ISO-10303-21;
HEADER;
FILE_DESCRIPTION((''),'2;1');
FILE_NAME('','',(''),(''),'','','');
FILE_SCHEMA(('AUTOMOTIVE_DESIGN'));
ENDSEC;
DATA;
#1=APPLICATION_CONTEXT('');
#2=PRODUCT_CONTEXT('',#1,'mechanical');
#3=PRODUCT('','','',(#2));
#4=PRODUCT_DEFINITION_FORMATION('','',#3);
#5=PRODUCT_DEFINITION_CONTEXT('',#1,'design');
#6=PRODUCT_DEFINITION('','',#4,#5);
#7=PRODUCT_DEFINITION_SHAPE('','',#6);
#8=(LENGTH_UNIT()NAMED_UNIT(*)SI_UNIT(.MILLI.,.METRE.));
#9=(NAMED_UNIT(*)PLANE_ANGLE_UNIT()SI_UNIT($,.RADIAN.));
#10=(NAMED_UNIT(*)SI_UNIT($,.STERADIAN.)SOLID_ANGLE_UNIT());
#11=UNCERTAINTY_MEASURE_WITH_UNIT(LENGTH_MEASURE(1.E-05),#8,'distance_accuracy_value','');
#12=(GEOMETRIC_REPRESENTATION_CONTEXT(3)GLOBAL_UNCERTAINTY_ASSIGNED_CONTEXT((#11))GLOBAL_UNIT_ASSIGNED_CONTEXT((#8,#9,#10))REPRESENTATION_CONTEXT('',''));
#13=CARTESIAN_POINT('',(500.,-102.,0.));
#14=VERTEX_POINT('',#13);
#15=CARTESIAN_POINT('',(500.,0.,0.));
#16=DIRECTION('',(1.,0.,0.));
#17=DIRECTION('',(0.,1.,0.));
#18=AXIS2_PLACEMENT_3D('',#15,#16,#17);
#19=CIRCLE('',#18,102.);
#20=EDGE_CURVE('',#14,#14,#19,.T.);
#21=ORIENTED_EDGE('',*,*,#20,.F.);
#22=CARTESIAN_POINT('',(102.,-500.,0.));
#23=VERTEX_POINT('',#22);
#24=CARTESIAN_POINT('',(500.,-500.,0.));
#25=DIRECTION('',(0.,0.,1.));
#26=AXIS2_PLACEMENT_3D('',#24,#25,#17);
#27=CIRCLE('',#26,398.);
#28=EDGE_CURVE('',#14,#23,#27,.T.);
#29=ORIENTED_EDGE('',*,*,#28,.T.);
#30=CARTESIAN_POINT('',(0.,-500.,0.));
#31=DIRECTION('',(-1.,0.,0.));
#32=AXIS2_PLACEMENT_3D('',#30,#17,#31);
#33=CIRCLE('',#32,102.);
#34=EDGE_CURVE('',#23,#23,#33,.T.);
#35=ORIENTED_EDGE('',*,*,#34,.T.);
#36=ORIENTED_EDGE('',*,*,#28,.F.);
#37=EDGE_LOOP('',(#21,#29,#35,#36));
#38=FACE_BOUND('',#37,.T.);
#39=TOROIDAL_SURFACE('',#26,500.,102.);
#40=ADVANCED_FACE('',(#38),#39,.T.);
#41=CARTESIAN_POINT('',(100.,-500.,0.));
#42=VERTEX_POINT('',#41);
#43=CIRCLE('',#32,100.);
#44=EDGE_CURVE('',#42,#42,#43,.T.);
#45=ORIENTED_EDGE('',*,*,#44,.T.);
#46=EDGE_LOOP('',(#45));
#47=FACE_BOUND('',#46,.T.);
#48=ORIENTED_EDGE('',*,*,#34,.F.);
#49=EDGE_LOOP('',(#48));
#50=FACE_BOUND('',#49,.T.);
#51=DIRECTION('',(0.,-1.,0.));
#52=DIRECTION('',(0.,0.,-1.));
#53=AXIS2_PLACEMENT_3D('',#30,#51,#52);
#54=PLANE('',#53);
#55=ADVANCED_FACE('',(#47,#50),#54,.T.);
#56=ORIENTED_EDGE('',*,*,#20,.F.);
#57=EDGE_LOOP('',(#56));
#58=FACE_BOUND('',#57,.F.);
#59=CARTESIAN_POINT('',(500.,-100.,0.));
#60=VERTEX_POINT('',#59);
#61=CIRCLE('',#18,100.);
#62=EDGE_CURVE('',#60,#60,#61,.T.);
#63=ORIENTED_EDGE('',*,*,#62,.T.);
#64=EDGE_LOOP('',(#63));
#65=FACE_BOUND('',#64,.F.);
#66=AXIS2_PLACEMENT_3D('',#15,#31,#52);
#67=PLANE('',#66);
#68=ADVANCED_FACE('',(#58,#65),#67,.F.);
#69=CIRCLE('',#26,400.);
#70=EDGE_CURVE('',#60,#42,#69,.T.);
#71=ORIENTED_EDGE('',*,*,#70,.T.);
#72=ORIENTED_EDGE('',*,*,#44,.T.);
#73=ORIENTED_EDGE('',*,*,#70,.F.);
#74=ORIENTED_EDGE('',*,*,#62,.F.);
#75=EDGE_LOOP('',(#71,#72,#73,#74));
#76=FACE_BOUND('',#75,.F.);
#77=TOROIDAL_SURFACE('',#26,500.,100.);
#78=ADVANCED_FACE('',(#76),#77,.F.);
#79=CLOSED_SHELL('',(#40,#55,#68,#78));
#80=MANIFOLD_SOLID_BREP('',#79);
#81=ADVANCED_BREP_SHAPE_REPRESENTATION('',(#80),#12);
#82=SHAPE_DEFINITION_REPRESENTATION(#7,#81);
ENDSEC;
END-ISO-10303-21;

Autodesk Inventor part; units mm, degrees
ref_plane "YZ Plane" through (0, 0, 0) normal (1, 0, 0) x (0, 1, 0)
ref_plane "XZ Plane" through (0, 0, 0) normal (0, 1, 0) x (-1, 0, 0)
sketch "Szkic6" plane through (0, 0, 0) normal (0, 0, 1) x (1, 0, 0)
  line L0 (-29.6067, 0) -> (35.2678, 0) construction
  line L1 (0, 42.3419) -> (0, -58.3726) construction
  arc A0 (500, 0) -> (0, -500) centre (500, -500) ccw
  line L2 (0, -500) -> (500, -500) construction
  line L3 (500, -500) -> (500, -434.4669) construction
  line L4 (500, 0) -> (500, 0)
  line L5 (0, -500) -> (0, -500)
  point P0 (0, 0)
  dimension "d24" = 500
  dimension "d31" = 90
  dimension "d36" = 0
  dimension "d37" = 0
ref_plane "Płaszczyzna konstrukcyjna2" through (0, -500, 0) normal (0, -1, 0) x (1, 0, 0)
sketch "Szkic8" plane through (0, -500, 0) normal (0, -1, 0) x (1, 0, 0)
  circle A0 centre (0, 0) radius 102
  circle A1 centre (0, 0) radius 100
  dimension "d32" = 204
  dimension "d33" = 2
sweep "Przeciągnięcie2" add profiles "Szkic8" path "Szkic6"
equation "\"d32\" = OD"
equation "\"d33\" = THK"
equation "\"d24\" = R"
equation "\"d31\" = KAT"
equation "\"SzerokośćGięciaPodcięcia\" = Grubość"
equation "\"RozmiarPodcięciaNarożnika\" = 4 * Grubość"
equation "\"PromieńPrzejścia\" = PromieńGięcia"
equation "\"Rozmiar_promienia_Jacobiego\" = PromieńGięcia"
equation "\"Wielk_odstępu\" = Grubość"
equation "\"d2\" = PromieńGięcia"
equation "\"d23\" = PromieńGięcia"
equation "\"R\" = 500"
equation "\"OD\" = 204"
equation "\"THK\" = 2"
equation "\"KAT\" = 90deg"
equation "\"PROSTKA\" = 0"
equation "\"Grubość\" = 1.5"
equation "\"PromieńGięcia\" = 3"
properties part number "Kolano 90° ø204x2 R500" material "304L"
